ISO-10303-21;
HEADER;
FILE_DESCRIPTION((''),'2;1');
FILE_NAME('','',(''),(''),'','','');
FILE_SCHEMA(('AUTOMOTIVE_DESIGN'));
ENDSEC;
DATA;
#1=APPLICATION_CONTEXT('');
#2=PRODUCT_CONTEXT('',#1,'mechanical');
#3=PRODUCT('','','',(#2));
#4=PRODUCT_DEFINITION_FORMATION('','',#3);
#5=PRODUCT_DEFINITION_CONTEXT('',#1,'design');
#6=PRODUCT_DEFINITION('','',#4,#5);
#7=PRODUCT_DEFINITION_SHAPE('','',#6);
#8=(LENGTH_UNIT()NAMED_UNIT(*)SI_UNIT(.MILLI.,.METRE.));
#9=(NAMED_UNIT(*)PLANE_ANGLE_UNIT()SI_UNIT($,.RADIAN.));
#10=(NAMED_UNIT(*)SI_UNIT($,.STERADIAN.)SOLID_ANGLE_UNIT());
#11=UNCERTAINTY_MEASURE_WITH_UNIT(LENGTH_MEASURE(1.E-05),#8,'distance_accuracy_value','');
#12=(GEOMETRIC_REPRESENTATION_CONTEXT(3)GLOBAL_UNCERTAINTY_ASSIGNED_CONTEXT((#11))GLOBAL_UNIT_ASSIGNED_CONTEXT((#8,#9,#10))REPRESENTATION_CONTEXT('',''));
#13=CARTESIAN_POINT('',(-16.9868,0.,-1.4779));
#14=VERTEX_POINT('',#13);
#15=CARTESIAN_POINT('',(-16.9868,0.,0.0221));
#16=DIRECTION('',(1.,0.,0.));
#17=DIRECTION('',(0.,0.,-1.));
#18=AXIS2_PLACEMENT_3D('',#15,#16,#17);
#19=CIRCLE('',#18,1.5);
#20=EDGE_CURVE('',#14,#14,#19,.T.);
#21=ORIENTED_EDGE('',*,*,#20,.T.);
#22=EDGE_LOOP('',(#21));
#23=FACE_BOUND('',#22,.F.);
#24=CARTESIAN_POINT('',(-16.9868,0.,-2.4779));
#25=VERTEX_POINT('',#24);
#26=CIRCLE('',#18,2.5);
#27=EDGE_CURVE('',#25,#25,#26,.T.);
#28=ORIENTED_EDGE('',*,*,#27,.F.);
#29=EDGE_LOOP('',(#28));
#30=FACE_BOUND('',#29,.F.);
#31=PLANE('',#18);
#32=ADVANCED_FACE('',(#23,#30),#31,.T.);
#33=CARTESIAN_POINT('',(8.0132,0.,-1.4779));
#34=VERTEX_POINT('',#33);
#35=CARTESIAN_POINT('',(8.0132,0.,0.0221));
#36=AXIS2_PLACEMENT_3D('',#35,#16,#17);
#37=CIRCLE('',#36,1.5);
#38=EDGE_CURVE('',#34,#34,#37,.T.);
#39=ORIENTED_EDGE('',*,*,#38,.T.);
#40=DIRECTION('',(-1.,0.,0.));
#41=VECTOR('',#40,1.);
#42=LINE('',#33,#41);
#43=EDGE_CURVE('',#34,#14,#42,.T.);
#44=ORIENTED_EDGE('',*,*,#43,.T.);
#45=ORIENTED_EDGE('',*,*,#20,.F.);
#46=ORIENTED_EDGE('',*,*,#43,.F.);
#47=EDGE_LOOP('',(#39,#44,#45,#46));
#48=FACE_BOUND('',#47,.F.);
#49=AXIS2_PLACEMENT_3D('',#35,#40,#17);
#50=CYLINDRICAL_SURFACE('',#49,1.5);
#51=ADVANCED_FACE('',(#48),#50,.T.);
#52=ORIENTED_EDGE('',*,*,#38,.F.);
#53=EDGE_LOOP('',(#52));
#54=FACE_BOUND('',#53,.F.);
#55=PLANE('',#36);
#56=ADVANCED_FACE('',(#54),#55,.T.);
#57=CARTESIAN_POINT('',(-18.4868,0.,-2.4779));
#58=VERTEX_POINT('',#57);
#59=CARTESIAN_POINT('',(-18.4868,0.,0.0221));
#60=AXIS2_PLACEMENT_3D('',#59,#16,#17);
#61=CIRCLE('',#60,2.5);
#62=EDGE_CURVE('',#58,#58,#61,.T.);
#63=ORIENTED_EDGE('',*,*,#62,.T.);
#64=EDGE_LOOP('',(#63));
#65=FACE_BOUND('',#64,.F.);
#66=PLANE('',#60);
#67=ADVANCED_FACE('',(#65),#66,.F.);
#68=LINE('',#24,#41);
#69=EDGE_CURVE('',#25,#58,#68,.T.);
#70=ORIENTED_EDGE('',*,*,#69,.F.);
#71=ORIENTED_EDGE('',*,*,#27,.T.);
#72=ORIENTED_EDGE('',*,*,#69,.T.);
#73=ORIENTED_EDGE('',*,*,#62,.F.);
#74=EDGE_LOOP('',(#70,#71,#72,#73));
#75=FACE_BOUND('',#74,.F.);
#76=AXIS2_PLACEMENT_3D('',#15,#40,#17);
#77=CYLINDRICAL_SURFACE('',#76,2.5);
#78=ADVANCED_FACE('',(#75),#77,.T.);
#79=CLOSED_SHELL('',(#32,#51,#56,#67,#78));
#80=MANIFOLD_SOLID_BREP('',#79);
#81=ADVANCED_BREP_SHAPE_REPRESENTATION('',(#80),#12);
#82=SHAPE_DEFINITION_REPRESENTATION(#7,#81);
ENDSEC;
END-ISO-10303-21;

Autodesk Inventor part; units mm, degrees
ref_plane "YZ Plane" through (0, 0, 0) normal (1, 0, 0) x (0, 1, 0)
ref_plane "XZ Plane" through (0, 0, 0) normal (0, 1, 0) x (-1, 0, 0)
ref_plane "XY Plane" through (0, 0, 0) normal (0, 0, 1) x (1, 0, 0)
sketch "Sketch1" plane through (0, 0, 0) normal (0, 1, 0) x (-1, 0, 0)
  line L0 (16.9868, 0.0221) -> (-8.0132, 0.0221)
  line L1 (-8.0132, 0.0221) -> (-8.0132, -1.4779)
  line L2 (-8.0132, -1.4779) -> (16.9868, -1.4779)
  line L3 (16.9868, -1.4779) -> (16.9868, 0.0221)
  line L4 (16.9868, 0.0221) -> (16.9868, -2.4779)
  line L5 (16.9868, -2.4779) -> (18.4868, -2.4779)
  line L6 (18.4868, -2.4779) -> (18.4868, 0.0221)
  line L7 (18.4868, 0.0221) -> (16.9868, 0.0221)
  dimension "d3" = 25
  dimension "d4" = 1.5
  dimension "d5" = 2.5
  dimension "d6" = 1.5
revolve "Revolution1" add sketch "Sketch1" angle 360 about axis through (-16.9868, 0, 0.0221) along (1, 0, 0)
